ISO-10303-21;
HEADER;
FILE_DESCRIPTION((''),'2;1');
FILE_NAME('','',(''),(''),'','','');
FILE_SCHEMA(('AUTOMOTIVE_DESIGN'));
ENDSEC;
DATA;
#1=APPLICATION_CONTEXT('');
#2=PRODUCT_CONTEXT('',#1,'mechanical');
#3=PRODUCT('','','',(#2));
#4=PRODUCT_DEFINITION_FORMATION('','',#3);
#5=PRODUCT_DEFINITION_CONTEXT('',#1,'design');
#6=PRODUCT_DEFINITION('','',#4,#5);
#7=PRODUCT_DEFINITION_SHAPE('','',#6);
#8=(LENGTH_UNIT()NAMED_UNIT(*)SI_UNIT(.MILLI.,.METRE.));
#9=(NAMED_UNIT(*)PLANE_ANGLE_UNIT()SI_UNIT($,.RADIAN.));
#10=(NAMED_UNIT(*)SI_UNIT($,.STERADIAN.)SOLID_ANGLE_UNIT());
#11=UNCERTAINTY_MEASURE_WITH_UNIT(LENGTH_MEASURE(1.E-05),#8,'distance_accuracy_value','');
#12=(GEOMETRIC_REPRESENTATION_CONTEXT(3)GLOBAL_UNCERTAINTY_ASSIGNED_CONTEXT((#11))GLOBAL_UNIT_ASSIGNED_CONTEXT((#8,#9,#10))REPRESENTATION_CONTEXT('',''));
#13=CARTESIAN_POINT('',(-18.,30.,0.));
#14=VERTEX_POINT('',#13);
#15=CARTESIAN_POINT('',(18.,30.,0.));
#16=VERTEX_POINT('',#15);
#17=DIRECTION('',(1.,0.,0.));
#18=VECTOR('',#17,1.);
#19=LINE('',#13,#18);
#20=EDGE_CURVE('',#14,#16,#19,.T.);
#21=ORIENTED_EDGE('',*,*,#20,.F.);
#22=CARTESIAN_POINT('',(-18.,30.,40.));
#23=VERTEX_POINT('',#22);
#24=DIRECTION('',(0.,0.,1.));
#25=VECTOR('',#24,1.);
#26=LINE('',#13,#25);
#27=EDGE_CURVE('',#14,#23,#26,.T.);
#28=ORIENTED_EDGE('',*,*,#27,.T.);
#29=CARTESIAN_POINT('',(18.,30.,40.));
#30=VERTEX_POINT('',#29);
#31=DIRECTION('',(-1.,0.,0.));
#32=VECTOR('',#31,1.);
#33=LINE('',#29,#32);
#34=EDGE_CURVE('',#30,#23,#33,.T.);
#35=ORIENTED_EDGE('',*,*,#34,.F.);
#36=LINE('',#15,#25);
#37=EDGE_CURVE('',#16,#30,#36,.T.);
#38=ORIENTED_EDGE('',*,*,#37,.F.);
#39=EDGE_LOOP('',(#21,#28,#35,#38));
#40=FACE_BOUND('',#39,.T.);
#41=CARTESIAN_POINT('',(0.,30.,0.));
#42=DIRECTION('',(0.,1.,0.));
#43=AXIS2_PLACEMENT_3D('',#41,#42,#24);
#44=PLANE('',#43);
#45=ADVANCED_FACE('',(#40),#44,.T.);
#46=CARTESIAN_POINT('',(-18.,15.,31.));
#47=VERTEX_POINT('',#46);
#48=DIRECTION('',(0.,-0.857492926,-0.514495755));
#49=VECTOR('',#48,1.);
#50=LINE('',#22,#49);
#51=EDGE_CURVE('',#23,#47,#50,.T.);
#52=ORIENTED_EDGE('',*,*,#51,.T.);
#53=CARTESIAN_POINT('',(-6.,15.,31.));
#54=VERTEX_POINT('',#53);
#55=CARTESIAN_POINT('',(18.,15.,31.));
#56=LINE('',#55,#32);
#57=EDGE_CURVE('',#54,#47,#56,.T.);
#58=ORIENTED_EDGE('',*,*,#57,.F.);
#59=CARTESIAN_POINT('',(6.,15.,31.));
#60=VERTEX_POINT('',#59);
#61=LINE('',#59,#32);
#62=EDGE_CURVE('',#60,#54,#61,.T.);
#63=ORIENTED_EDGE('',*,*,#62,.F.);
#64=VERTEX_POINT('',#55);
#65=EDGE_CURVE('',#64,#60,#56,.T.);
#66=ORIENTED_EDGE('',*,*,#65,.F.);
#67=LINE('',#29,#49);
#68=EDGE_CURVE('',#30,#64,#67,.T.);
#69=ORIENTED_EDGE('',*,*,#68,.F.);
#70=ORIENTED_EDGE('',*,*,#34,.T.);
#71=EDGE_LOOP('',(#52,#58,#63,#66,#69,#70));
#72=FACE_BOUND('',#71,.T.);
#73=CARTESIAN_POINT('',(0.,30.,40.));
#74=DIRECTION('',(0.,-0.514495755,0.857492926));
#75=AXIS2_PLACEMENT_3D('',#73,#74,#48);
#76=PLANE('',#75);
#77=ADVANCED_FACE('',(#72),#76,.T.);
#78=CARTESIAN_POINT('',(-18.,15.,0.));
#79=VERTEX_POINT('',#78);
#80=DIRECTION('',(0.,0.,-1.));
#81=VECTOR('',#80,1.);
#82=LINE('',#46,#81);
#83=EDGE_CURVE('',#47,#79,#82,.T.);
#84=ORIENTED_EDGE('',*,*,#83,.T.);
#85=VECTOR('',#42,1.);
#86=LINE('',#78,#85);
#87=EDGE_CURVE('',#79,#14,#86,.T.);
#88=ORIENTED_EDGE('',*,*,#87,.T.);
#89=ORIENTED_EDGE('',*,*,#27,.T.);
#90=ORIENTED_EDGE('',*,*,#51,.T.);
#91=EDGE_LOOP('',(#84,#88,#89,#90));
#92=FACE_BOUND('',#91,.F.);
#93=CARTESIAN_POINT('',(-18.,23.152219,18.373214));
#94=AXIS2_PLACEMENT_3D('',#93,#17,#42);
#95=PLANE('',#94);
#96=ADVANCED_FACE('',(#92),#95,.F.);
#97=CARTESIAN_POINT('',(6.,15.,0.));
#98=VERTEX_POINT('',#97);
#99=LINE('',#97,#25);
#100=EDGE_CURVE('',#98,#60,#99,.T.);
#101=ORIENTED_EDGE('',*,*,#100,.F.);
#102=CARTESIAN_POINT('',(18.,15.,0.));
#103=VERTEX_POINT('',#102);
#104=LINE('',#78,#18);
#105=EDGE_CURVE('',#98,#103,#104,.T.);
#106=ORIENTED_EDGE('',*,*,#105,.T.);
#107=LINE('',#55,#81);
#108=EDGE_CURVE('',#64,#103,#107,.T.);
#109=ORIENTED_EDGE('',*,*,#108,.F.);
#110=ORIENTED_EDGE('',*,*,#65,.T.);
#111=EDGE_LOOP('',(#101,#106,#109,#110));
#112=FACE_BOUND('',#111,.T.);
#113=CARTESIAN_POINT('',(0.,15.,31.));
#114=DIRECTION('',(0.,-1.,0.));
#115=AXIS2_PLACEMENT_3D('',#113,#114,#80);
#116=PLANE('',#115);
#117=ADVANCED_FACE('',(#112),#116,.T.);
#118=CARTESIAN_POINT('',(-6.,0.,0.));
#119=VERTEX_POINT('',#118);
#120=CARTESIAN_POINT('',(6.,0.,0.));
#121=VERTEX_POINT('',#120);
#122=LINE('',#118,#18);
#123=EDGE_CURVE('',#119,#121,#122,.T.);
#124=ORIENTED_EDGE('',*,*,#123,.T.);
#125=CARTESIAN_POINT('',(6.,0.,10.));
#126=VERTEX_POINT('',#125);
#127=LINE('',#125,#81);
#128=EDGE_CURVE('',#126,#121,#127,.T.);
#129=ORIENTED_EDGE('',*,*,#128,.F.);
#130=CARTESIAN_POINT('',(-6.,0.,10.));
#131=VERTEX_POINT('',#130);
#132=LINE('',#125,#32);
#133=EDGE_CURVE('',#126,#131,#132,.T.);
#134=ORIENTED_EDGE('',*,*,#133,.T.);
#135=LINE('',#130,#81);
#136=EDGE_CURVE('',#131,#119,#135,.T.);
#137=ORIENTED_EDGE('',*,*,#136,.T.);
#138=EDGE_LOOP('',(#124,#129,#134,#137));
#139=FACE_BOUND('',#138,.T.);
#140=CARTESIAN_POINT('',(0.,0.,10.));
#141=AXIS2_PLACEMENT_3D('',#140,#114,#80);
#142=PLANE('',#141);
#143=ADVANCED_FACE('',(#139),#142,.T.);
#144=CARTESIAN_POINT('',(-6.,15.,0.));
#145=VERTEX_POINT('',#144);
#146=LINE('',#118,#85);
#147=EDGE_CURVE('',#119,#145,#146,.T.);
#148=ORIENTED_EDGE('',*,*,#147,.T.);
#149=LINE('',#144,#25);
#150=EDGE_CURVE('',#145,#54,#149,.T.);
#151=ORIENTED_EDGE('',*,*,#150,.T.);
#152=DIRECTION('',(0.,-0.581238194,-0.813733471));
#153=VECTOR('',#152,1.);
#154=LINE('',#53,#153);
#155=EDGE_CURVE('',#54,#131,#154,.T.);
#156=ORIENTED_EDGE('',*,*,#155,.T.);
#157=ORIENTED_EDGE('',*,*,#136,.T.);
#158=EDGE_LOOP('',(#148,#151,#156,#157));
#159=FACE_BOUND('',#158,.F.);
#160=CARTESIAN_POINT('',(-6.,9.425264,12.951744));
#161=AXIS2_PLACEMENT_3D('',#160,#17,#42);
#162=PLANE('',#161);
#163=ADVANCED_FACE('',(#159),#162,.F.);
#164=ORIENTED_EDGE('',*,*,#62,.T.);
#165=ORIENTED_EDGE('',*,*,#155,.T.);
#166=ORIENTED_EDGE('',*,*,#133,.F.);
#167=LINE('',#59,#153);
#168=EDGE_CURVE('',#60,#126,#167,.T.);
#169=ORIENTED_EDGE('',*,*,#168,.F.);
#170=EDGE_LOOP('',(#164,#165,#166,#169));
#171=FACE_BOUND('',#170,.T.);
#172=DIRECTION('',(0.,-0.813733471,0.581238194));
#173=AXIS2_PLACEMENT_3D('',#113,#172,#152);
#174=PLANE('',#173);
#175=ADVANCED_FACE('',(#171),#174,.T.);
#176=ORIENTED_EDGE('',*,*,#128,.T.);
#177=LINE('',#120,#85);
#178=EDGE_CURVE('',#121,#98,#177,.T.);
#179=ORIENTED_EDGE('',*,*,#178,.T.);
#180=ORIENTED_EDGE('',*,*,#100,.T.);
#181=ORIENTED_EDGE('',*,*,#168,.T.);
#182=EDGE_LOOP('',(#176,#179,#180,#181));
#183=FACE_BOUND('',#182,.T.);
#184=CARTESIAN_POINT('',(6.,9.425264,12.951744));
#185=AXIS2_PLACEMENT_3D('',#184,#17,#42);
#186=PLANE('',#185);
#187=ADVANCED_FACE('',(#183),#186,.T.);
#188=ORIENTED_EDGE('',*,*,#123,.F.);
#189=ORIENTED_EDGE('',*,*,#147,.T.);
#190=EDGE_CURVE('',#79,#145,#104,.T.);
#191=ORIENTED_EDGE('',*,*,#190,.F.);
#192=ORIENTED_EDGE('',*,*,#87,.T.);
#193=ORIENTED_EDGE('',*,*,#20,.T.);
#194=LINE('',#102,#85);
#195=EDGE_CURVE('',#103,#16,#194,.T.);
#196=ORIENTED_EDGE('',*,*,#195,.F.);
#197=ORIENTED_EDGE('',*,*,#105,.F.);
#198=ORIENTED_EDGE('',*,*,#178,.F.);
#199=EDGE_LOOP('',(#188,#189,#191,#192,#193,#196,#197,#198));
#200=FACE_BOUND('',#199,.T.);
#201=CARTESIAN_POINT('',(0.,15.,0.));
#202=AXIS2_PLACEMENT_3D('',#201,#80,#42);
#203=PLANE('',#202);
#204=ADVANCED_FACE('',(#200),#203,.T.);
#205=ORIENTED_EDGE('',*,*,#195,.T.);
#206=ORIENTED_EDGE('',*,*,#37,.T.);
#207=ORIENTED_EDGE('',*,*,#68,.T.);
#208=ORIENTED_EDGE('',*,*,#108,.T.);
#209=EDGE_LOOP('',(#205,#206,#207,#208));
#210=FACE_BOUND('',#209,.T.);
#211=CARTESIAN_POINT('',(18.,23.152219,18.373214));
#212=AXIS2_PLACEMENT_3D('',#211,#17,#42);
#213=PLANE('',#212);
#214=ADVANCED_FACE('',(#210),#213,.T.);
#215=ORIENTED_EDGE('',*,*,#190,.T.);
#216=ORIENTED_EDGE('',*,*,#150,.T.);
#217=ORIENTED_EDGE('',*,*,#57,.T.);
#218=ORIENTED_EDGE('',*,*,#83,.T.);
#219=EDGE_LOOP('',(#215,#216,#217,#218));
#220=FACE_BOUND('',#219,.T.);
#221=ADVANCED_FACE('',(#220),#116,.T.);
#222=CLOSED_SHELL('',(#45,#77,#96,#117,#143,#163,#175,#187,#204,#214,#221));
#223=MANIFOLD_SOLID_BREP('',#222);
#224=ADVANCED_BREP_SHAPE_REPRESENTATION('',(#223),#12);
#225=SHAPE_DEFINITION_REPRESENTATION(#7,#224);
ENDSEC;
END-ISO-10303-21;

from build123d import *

# Parameters (mm, degrees)
F1_DEPTH = 18
F2_DEPTH = 6


with BuildPart() as f1:
    # F0 (on Right) → F1 (new body, symmetric)
    with BuildSketch(Plane.YZ):
        Polygon((15, 31), (15, 0), (30, 0), (30, 40), align=None)
    extrude(amount=F1_DEPTH, both=True)

    # F0 (on Right) → F2 (join, symmetric)
    with BuildSketch(Plane.YZ):
        Polygon((0, 10), (0, 0), (15, 0), (15, 31), align=None)
    extrude(amount=F2_DEPTH, both=True)


solid = f1.part
